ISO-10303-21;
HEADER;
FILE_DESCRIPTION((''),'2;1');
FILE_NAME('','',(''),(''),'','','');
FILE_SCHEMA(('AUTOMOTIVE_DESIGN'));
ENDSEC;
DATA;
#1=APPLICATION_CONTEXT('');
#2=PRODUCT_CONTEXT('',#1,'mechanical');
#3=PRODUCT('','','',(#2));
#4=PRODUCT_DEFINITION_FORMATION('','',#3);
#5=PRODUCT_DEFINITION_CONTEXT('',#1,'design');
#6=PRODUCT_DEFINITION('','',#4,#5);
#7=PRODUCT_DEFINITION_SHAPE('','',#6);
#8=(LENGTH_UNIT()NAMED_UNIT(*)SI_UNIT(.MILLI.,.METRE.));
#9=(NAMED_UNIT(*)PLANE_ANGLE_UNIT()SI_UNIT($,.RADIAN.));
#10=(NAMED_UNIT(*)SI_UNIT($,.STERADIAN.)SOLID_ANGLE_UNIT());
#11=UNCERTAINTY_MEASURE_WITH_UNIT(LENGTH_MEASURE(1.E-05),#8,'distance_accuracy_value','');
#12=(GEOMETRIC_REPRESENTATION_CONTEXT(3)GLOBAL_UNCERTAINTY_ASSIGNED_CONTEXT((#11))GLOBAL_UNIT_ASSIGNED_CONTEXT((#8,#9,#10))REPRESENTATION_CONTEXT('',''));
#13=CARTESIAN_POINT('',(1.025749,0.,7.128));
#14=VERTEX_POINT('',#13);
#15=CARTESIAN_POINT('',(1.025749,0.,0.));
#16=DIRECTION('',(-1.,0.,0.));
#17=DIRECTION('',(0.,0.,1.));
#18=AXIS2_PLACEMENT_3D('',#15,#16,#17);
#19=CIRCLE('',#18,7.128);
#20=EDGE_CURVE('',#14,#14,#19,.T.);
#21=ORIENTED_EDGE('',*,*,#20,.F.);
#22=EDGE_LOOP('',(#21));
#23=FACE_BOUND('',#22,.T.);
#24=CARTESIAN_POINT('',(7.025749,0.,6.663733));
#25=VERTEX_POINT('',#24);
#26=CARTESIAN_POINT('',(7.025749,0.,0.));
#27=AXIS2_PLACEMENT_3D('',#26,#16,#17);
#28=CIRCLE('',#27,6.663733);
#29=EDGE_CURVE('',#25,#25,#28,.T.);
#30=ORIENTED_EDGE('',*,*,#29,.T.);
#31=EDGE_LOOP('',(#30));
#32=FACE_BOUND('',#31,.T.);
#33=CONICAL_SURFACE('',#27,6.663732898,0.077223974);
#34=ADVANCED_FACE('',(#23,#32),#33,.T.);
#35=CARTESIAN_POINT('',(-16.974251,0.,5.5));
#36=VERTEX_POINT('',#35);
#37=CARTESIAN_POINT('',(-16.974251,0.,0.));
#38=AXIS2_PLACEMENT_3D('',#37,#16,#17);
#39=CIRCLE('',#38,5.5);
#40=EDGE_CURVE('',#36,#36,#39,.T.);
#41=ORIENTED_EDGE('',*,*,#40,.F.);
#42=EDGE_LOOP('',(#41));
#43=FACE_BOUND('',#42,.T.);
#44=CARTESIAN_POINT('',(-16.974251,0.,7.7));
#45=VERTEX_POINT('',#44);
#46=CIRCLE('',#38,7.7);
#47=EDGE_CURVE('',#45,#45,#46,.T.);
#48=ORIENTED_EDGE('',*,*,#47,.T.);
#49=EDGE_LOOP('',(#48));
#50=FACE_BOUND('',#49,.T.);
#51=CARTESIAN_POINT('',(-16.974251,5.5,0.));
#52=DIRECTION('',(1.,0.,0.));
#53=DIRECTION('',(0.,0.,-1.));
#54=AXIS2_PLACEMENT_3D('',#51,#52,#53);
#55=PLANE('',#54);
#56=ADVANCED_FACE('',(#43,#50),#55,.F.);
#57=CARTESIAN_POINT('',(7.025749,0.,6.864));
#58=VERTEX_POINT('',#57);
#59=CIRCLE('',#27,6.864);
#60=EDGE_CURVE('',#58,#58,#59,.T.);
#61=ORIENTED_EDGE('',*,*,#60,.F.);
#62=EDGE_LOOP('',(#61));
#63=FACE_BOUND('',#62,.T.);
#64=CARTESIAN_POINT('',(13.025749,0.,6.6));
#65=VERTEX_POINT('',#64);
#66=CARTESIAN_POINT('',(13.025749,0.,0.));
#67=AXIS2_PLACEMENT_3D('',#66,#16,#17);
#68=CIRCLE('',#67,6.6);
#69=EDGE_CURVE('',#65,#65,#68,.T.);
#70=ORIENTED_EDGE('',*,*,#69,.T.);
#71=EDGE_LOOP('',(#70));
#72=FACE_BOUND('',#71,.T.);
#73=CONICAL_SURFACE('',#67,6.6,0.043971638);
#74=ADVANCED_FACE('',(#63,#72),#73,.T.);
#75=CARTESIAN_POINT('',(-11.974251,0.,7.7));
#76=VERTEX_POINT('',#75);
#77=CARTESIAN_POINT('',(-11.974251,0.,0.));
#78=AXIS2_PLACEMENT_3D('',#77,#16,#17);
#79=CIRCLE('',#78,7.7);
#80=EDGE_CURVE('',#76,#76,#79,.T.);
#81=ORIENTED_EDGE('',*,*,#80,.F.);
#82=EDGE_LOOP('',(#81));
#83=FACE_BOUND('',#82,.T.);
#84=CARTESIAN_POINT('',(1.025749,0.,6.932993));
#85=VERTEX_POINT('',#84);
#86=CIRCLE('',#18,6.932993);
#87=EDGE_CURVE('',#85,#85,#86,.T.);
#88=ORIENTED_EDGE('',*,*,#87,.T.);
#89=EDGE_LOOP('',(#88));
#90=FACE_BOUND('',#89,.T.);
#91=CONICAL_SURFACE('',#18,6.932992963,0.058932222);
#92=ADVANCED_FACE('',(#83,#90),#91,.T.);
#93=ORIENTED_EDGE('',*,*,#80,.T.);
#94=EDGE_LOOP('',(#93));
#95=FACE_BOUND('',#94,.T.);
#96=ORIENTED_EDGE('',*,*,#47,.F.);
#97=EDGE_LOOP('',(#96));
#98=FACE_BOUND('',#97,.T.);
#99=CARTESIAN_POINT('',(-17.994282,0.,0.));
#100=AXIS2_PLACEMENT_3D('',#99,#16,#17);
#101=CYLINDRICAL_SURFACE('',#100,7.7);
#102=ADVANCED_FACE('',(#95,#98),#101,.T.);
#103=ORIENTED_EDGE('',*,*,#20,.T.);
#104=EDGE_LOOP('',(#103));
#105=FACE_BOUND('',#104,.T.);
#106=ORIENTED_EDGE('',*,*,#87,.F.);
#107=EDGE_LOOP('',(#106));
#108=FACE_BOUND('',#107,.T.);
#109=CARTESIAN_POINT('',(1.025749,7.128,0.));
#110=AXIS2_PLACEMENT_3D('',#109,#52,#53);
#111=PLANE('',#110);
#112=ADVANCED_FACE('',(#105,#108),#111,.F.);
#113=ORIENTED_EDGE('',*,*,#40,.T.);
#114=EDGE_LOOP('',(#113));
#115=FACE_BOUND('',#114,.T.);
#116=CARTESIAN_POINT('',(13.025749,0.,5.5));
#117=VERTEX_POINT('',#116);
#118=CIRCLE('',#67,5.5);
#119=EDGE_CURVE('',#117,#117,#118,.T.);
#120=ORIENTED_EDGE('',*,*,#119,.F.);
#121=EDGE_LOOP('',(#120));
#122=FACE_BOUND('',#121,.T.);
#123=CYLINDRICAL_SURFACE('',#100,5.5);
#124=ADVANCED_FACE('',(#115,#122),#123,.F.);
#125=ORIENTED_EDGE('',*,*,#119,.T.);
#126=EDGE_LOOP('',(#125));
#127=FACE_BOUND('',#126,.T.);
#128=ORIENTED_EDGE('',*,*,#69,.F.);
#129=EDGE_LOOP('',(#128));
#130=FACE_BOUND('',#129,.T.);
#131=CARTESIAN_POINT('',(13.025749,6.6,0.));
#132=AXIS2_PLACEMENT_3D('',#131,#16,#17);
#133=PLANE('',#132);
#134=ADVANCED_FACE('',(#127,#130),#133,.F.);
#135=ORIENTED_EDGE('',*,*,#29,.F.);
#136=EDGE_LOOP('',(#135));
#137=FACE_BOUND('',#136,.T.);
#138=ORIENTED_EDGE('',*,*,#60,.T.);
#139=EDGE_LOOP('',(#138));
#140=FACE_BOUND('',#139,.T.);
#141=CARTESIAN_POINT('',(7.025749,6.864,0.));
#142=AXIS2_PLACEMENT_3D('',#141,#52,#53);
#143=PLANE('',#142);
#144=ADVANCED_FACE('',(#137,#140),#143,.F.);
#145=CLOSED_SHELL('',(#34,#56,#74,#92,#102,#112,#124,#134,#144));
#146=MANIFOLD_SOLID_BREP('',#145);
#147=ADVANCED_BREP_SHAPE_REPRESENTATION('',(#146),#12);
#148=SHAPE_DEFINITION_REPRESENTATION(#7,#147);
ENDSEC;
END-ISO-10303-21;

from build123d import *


with BuildPart() as part:
    # Sketch1 → Revolve1 (revolve)
    with BuildSketch(Plane.XY, mode=Mode.PRIVATE) as revolve1_sk:
        Polygon((7.025749102, 6.864), (13.025749102, 6.6), (13.025749102, 5.5), (-11.974250898, 5.5), (-16.974250898, 5.5), (-16.974250898, 7.7), (-11.974250898, 7.7), (1.025749102, 6.932992963), (1.025749102, 7.128), (7.025749102, 6.663732898), align=None)
    revolve(revolve1_sk.sketch.rotate(Axis((-17.994281734, 0, 0), (1, 0, 0)), 90), axis=Axis((-17.994281734, 0, 0), (1, 0, 0)))


solid = part.part
